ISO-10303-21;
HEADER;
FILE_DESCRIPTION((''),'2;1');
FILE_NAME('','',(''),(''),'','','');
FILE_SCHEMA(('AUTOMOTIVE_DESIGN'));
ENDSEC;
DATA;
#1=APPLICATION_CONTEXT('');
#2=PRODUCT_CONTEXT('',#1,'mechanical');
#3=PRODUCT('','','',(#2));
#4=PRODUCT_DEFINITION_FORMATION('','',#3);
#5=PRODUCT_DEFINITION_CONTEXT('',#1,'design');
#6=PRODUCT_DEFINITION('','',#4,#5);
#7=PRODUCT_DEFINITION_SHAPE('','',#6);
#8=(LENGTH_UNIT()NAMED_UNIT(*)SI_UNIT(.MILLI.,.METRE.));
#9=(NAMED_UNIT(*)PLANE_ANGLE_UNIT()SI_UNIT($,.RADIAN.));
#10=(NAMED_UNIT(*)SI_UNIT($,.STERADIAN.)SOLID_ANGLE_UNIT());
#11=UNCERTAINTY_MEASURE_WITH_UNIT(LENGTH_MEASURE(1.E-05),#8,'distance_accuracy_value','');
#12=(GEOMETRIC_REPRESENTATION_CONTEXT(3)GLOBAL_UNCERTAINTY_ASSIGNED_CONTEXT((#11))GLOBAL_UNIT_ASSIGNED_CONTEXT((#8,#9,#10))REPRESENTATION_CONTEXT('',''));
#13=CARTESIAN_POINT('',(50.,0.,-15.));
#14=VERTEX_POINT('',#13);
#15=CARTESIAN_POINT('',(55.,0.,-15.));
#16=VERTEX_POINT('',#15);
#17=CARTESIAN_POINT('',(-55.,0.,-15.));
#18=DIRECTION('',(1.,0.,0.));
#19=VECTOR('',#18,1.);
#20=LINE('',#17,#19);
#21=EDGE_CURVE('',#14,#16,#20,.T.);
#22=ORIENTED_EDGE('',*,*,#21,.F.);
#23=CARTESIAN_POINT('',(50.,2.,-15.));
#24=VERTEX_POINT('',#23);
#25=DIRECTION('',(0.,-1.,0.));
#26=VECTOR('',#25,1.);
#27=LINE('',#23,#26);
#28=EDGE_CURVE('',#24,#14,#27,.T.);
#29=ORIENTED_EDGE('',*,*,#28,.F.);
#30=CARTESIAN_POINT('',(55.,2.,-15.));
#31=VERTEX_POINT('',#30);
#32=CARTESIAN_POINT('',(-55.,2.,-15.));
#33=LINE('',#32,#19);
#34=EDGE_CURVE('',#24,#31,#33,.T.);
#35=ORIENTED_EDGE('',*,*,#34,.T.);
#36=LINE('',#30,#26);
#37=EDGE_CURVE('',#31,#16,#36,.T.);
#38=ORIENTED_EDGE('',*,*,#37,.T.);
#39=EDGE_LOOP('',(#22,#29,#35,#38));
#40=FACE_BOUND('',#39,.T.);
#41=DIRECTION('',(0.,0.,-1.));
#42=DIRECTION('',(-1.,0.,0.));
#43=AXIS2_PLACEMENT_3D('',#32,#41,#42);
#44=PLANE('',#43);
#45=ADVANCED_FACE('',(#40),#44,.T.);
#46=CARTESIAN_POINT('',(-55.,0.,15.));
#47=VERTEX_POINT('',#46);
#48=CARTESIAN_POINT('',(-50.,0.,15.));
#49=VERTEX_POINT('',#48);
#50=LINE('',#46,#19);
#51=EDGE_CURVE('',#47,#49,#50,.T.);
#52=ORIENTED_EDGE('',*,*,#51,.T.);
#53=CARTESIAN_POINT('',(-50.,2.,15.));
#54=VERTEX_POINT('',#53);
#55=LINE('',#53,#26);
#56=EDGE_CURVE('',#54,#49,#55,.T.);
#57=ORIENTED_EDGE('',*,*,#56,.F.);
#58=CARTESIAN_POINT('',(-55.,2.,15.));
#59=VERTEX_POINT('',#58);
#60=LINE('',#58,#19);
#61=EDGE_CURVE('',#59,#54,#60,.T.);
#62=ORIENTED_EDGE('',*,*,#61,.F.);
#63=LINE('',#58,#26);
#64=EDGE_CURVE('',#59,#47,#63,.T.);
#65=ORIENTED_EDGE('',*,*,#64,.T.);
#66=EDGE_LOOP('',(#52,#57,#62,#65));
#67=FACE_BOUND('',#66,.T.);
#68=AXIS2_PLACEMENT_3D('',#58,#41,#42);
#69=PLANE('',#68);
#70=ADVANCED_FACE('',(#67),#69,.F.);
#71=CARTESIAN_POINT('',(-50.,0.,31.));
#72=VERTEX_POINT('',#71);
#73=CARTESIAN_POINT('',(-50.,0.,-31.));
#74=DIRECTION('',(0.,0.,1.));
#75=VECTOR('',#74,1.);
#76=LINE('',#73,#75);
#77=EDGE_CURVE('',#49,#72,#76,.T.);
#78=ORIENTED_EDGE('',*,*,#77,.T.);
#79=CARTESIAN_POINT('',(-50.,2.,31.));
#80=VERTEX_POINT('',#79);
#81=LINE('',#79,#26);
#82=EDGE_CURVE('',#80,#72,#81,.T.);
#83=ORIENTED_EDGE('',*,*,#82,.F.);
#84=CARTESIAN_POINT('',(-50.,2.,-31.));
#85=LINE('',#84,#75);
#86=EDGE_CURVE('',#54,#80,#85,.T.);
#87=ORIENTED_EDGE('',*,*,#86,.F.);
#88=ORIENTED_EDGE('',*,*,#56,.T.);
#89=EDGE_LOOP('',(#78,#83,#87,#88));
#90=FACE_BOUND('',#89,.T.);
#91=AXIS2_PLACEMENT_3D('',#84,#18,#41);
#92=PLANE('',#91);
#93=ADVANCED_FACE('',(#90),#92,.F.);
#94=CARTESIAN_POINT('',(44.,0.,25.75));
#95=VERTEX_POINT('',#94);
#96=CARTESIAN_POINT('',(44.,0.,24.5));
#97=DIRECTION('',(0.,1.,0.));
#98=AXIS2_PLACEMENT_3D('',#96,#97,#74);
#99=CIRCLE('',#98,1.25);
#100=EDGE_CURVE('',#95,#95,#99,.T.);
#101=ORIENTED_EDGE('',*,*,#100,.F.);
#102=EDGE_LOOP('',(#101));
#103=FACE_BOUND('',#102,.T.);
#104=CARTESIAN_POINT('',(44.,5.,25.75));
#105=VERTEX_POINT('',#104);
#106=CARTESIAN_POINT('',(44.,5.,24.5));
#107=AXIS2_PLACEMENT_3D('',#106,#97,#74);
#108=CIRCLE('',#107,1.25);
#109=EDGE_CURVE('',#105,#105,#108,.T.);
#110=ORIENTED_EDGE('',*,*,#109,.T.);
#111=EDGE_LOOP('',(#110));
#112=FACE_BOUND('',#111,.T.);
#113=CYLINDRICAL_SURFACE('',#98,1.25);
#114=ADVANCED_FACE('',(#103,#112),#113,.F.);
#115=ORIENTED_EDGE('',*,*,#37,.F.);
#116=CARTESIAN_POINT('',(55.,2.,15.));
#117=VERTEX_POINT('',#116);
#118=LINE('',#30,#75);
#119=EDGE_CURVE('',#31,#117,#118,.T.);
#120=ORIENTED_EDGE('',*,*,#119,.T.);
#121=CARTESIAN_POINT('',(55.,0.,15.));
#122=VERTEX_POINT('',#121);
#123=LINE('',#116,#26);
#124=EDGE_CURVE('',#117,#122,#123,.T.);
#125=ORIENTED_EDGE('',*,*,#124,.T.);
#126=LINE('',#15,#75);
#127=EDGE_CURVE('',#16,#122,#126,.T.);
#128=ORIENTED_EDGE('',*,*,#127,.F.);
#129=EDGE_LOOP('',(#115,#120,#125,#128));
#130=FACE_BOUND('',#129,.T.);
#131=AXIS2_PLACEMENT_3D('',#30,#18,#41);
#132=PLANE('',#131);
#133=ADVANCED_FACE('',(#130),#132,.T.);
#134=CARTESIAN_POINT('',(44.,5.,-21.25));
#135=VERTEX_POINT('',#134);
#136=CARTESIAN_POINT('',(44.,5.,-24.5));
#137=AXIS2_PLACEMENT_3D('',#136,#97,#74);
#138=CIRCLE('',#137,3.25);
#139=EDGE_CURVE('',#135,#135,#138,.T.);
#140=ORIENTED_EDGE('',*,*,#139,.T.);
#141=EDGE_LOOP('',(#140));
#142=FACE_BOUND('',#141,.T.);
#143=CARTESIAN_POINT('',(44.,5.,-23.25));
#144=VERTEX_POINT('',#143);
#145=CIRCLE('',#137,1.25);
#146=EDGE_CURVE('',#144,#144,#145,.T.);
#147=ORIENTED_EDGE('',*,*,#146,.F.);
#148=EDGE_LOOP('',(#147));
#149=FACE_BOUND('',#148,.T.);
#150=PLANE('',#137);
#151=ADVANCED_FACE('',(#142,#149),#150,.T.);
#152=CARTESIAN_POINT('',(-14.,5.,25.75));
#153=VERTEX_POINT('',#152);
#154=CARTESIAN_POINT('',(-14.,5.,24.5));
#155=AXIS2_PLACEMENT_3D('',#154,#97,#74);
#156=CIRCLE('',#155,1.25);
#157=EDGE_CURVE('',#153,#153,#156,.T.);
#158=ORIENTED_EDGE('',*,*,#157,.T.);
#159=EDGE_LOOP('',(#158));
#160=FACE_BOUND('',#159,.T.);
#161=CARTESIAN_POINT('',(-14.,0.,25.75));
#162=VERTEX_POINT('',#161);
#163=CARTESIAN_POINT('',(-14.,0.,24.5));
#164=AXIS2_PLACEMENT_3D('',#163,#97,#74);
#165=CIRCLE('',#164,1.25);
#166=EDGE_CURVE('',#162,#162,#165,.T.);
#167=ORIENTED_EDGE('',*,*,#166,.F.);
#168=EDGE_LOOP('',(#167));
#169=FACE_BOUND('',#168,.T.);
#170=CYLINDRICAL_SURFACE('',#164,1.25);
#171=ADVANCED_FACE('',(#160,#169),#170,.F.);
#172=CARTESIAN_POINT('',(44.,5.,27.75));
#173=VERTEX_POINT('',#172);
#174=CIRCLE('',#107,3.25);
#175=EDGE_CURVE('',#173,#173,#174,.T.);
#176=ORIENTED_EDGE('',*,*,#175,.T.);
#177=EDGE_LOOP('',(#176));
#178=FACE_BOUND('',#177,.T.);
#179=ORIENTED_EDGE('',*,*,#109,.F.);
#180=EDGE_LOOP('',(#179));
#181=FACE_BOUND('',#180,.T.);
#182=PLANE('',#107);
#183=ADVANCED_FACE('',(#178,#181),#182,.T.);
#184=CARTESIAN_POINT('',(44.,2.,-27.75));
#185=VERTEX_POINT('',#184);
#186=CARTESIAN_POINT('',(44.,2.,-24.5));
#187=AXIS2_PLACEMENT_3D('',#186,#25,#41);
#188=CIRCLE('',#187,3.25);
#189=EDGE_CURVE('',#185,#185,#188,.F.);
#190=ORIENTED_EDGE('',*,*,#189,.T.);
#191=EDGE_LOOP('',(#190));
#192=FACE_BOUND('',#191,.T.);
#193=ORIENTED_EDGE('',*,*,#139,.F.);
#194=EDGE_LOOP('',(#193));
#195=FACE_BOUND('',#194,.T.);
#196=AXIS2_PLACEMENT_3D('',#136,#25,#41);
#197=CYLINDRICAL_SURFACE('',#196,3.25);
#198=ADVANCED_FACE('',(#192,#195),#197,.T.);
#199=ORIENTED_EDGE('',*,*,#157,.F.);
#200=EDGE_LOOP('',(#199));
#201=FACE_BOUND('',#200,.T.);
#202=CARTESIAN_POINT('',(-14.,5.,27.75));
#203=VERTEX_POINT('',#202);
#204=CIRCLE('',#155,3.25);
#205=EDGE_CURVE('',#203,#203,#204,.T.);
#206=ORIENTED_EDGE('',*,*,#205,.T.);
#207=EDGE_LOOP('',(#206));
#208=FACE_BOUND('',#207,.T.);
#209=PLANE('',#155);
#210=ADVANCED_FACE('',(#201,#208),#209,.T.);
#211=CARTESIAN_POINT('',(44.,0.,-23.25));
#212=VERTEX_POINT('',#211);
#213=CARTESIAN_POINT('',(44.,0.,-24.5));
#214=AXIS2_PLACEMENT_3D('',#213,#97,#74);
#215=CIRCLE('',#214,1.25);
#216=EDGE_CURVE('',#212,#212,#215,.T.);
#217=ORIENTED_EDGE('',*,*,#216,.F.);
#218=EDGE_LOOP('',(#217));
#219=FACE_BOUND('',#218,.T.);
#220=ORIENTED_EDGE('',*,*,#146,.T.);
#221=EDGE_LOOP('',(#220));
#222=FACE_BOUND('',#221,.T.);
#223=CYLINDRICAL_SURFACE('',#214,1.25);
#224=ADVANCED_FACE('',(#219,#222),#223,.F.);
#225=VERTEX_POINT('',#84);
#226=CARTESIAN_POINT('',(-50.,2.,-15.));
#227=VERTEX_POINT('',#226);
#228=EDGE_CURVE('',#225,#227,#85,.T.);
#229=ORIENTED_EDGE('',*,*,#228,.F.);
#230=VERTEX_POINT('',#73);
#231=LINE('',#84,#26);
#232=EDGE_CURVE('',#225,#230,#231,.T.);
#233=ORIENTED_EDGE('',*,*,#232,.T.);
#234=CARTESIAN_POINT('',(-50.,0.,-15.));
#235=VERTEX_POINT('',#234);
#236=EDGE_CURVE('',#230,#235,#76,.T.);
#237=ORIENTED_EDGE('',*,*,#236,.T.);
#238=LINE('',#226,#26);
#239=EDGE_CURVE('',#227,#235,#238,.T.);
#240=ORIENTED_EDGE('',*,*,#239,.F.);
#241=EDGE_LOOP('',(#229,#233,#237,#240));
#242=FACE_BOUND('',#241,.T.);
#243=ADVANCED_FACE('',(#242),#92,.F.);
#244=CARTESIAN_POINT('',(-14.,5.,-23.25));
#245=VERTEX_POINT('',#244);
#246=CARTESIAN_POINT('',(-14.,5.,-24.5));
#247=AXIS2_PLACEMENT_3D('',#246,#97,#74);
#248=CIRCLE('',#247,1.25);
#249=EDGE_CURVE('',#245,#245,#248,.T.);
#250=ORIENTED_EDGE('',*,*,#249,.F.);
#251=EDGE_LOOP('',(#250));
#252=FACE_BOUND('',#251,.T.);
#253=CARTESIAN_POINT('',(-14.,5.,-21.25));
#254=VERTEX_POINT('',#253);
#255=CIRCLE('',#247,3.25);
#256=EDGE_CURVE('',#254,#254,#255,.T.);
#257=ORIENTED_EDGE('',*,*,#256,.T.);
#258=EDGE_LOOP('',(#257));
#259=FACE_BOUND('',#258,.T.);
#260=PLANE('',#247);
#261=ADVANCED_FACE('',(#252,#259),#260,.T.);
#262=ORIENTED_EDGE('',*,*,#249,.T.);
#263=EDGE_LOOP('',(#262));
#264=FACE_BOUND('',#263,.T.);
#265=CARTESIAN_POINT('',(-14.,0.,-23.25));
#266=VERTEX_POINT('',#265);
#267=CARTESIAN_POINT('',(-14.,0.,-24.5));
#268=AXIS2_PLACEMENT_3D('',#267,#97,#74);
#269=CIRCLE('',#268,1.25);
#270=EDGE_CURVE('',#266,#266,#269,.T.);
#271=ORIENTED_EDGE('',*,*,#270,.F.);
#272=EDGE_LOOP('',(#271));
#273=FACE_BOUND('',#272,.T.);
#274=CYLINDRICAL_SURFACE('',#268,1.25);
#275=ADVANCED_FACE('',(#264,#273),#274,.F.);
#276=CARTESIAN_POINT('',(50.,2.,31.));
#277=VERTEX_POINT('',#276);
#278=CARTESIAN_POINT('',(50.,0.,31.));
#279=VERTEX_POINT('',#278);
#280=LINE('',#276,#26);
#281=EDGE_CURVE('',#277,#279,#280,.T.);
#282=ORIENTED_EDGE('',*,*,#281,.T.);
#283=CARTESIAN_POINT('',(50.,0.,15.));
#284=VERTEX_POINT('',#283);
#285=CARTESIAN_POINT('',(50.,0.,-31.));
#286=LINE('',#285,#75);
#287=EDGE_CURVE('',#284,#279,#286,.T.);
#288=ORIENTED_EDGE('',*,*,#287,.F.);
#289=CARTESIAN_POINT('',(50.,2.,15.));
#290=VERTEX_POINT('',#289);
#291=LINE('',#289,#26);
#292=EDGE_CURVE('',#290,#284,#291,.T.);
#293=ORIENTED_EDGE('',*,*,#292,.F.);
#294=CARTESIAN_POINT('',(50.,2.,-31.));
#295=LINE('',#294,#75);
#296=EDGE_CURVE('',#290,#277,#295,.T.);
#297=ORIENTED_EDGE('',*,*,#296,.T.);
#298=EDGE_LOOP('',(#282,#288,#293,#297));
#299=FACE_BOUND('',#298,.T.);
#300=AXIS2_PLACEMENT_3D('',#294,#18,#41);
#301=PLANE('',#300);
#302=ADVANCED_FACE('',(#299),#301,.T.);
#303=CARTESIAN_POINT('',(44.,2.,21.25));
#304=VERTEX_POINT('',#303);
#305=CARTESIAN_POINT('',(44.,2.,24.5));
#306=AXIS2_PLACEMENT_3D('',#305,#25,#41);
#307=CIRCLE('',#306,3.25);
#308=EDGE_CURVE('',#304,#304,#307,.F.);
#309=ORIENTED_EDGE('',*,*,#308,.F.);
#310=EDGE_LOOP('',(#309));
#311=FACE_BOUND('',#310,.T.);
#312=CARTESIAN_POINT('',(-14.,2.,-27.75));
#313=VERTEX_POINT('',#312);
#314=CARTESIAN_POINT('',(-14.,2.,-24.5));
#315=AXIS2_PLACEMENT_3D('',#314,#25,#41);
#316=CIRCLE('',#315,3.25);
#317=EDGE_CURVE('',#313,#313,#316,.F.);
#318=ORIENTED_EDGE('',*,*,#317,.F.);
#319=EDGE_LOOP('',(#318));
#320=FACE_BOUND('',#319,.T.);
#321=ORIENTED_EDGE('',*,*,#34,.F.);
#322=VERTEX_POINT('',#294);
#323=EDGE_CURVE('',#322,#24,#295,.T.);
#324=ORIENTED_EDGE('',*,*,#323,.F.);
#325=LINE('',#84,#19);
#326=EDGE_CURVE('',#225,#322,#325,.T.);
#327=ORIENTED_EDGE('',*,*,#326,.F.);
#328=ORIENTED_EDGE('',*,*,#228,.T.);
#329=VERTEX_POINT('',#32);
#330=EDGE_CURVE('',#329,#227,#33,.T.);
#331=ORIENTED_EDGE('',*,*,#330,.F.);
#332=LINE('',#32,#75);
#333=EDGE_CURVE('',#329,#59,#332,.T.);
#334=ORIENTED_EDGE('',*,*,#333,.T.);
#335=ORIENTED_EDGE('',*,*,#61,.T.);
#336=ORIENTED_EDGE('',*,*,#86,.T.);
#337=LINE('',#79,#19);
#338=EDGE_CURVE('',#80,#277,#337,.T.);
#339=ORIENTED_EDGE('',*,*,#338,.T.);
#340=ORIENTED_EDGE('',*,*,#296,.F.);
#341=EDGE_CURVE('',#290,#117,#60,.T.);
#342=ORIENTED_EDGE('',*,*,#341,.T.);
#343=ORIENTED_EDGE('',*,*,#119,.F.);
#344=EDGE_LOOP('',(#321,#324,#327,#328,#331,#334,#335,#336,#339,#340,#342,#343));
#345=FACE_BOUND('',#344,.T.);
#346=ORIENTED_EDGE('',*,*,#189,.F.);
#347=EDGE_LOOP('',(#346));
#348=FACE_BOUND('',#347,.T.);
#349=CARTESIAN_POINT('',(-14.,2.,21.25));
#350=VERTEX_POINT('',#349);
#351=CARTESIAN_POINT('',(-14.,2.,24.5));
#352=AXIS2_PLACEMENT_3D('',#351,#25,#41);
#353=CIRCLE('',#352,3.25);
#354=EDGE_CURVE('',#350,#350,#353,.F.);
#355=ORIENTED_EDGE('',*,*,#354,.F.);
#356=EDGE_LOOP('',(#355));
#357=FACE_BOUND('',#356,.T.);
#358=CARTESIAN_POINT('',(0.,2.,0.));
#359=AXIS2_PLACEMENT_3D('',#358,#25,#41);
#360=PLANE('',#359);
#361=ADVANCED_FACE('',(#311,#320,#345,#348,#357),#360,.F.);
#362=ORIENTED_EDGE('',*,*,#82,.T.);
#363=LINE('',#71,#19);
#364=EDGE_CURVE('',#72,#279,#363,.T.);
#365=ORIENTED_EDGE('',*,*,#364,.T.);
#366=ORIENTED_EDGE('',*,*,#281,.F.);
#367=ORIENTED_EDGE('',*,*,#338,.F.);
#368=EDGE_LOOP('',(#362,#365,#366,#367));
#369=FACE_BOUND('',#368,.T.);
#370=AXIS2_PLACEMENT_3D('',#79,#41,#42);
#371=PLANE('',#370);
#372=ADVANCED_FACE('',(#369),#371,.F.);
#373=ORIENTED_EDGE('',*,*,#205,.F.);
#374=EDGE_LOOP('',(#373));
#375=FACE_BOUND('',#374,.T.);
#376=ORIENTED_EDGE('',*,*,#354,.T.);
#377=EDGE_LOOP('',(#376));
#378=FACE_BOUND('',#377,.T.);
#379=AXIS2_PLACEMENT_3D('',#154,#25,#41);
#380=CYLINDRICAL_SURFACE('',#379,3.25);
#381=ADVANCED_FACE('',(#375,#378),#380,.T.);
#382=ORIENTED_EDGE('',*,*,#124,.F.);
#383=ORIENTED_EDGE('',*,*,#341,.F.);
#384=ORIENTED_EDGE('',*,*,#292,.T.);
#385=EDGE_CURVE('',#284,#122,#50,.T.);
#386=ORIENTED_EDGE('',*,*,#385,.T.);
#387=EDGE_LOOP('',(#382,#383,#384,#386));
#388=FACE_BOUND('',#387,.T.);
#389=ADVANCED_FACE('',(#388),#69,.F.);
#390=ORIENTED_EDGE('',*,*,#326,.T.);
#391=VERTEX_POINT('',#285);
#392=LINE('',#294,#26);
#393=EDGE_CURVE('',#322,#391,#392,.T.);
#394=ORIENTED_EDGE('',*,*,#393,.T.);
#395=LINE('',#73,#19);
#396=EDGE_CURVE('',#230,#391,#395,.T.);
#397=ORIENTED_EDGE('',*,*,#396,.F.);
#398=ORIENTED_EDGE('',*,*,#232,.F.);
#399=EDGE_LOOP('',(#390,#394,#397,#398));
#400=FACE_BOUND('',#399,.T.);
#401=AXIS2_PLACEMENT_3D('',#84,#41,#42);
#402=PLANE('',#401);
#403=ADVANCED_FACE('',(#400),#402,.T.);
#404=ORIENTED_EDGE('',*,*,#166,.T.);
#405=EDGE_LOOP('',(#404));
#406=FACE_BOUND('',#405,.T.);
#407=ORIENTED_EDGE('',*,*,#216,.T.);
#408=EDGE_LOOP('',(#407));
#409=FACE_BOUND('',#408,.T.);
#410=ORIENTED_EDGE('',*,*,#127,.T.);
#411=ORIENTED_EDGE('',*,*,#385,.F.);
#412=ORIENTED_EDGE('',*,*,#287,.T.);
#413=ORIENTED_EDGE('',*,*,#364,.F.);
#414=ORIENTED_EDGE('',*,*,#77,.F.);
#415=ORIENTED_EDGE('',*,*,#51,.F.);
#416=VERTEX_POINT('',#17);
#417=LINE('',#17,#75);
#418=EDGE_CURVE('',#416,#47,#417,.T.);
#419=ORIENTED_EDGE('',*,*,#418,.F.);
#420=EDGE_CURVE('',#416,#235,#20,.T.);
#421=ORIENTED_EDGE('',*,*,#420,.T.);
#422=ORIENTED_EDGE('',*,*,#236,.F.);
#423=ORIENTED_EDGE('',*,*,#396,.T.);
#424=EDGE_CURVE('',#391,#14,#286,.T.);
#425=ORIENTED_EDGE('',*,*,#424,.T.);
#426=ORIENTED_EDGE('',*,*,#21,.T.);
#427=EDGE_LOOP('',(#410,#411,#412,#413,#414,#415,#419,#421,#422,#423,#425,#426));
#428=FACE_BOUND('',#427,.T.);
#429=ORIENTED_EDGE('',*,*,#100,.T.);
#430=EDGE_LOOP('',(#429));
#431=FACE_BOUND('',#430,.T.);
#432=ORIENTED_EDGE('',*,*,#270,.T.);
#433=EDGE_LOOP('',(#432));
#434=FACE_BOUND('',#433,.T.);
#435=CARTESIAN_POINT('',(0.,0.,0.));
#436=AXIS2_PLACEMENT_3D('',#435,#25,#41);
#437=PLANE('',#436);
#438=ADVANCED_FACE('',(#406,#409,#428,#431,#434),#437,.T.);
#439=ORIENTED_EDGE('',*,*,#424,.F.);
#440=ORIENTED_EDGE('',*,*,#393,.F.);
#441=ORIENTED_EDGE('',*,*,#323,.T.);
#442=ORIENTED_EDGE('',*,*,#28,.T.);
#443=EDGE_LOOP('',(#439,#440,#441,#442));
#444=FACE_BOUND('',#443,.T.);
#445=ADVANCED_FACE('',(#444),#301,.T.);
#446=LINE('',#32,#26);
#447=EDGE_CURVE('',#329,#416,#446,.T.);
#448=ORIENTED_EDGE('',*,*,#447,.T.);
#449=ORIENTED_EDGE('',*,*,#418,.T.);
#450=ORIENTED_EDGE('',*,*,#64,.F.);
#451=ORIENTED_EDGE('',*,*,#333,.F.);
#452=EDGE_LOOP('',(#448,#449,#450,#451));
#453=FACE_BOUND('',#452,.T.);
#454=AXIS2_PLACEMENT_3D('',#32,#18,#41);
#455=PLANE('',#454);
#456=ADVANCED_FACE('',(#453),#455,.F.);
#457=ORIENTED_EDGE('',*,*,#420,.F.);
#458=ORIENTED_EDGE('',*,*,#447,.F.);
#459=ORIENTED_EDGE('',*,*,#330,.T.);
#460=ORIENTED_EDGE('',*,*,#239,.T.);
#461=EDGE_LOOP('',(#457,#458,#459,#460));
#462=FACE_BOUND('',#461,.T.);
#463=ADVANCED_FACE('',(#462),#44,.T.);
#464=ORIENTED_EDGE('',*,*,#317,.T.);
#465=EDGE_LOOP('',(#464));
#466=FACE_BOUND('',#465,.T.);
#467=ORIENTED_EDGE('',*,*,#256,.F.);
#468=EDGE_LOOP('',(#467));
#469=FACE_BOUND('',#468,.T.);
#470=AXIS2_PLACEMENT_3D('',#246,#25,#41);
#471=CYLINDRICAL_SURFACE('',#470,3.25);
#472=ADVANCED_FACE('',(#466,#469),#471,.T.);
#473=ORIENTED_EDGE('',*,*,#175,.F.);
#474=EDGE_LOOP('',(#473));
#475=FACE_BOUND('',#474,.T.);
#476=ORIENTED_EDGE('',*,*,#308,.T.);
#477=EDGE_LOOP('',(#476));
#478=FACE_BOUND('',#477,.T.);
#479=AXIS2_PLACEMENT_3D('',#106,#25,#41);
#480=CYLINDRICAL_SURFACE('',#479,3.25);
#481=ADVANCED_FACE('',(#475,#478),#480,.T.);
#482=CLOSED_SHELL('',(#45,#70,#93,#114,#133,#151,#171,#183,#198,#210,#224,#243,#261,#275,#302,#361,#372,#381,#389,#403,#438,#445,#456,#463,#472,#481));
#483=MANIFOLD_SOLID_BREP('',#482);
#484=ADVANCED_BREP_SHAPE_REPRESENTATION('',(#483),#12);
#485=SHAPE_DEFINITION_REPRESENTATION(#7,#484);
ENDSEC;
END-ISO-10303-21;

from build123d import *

# Parameters (mm, degrees)
SKETCH_1_W            = 100
SKETCH_1_H            = 62
SKETCH_1_W_2          = 110
SKETCH_1_H_2          = 30
EXTRUDE_467_DEPTH     = 2
SKETCH_2_R            = 1.25
CUT_EXTRUDE_872_DEPTH = 2
SKETCH_3_R            = 3.25
SKETCH_3_R_2          = 1.25
EXTRUDE_1188_DEPTH    = 3


with BuildPart() as part:
    # 草图1 → Extrude 467 (new body)
    with BuildSketch(Plane(origin=(0, 0, 0), x_dir=(1, 0, 0), z_dir=(0, 1, 0))):
        Rectangle(SKETCH_1_W, SKETCH_1_H)
        Rectangle(SKETCH_1_W_2, SKETCH_1_H_2)
    extrude(amount=EXTRUDE_467_DEPTH)

    # 草图2 → Cut-Extrude 872 (cut)
    with BuildSketch(Plane(origin=(0, 2, 0), x_dir=(1, 0, 0), z_dir=(0, 1, 0))):
        with Locations((-14, 24.5)):
            Circle(SKETCH_2_R)
        with Locations((44, 24.5)):
            Circle(SKETCH_2_R)
        with Locations((-14, -24.5)):
            Circle(SKETCH_2_R)
        with Locations((44, -24.5)):
            Circle(SKETCH_2_R)
    extrude(amount=-CUT_EXTRUDE_872_DEPTH, mode=Mode.SUBTRACT)

    # 草图3 → Extrude 1188 (add)
    with BuildSketch(Plane(origin=(0, 2, 0), x_dir=(1, 0, 0), z_dir=(0, 1, 0))):
        with Locations((-14, 24.5)):
            Circle(SKETCH_3_R)
        with Locations((-14, 24.5)):
            Circle(SKETCH_3_R_2, mode=Mode.SUBTRACT)
        with Locations((44, 24.5)):
            Circle(SKETCH_3_R)
        with Locations((44, 24.5)):
            Circle(SKETCH_3_R_2, mode=Mode.SUBTRACT)
        with Locations((-14, -24.5)):
            Circle(SKETCH_3_R)
        with Locations((-14, -24.5)):
            Circle(SKETCH_3_R_2, mode=Mode.SUBTRACT)
        with Locations((44, -24.5)):
            Circle(SKETCH_3_R)
        with Locations((44, -24.5)):
            Circle(SKETCH_3_R_2, mode=Mode.SUBTRACT)
    extrude(amount=EXTRUDE_1188_DEPTH)


solid = part.part
